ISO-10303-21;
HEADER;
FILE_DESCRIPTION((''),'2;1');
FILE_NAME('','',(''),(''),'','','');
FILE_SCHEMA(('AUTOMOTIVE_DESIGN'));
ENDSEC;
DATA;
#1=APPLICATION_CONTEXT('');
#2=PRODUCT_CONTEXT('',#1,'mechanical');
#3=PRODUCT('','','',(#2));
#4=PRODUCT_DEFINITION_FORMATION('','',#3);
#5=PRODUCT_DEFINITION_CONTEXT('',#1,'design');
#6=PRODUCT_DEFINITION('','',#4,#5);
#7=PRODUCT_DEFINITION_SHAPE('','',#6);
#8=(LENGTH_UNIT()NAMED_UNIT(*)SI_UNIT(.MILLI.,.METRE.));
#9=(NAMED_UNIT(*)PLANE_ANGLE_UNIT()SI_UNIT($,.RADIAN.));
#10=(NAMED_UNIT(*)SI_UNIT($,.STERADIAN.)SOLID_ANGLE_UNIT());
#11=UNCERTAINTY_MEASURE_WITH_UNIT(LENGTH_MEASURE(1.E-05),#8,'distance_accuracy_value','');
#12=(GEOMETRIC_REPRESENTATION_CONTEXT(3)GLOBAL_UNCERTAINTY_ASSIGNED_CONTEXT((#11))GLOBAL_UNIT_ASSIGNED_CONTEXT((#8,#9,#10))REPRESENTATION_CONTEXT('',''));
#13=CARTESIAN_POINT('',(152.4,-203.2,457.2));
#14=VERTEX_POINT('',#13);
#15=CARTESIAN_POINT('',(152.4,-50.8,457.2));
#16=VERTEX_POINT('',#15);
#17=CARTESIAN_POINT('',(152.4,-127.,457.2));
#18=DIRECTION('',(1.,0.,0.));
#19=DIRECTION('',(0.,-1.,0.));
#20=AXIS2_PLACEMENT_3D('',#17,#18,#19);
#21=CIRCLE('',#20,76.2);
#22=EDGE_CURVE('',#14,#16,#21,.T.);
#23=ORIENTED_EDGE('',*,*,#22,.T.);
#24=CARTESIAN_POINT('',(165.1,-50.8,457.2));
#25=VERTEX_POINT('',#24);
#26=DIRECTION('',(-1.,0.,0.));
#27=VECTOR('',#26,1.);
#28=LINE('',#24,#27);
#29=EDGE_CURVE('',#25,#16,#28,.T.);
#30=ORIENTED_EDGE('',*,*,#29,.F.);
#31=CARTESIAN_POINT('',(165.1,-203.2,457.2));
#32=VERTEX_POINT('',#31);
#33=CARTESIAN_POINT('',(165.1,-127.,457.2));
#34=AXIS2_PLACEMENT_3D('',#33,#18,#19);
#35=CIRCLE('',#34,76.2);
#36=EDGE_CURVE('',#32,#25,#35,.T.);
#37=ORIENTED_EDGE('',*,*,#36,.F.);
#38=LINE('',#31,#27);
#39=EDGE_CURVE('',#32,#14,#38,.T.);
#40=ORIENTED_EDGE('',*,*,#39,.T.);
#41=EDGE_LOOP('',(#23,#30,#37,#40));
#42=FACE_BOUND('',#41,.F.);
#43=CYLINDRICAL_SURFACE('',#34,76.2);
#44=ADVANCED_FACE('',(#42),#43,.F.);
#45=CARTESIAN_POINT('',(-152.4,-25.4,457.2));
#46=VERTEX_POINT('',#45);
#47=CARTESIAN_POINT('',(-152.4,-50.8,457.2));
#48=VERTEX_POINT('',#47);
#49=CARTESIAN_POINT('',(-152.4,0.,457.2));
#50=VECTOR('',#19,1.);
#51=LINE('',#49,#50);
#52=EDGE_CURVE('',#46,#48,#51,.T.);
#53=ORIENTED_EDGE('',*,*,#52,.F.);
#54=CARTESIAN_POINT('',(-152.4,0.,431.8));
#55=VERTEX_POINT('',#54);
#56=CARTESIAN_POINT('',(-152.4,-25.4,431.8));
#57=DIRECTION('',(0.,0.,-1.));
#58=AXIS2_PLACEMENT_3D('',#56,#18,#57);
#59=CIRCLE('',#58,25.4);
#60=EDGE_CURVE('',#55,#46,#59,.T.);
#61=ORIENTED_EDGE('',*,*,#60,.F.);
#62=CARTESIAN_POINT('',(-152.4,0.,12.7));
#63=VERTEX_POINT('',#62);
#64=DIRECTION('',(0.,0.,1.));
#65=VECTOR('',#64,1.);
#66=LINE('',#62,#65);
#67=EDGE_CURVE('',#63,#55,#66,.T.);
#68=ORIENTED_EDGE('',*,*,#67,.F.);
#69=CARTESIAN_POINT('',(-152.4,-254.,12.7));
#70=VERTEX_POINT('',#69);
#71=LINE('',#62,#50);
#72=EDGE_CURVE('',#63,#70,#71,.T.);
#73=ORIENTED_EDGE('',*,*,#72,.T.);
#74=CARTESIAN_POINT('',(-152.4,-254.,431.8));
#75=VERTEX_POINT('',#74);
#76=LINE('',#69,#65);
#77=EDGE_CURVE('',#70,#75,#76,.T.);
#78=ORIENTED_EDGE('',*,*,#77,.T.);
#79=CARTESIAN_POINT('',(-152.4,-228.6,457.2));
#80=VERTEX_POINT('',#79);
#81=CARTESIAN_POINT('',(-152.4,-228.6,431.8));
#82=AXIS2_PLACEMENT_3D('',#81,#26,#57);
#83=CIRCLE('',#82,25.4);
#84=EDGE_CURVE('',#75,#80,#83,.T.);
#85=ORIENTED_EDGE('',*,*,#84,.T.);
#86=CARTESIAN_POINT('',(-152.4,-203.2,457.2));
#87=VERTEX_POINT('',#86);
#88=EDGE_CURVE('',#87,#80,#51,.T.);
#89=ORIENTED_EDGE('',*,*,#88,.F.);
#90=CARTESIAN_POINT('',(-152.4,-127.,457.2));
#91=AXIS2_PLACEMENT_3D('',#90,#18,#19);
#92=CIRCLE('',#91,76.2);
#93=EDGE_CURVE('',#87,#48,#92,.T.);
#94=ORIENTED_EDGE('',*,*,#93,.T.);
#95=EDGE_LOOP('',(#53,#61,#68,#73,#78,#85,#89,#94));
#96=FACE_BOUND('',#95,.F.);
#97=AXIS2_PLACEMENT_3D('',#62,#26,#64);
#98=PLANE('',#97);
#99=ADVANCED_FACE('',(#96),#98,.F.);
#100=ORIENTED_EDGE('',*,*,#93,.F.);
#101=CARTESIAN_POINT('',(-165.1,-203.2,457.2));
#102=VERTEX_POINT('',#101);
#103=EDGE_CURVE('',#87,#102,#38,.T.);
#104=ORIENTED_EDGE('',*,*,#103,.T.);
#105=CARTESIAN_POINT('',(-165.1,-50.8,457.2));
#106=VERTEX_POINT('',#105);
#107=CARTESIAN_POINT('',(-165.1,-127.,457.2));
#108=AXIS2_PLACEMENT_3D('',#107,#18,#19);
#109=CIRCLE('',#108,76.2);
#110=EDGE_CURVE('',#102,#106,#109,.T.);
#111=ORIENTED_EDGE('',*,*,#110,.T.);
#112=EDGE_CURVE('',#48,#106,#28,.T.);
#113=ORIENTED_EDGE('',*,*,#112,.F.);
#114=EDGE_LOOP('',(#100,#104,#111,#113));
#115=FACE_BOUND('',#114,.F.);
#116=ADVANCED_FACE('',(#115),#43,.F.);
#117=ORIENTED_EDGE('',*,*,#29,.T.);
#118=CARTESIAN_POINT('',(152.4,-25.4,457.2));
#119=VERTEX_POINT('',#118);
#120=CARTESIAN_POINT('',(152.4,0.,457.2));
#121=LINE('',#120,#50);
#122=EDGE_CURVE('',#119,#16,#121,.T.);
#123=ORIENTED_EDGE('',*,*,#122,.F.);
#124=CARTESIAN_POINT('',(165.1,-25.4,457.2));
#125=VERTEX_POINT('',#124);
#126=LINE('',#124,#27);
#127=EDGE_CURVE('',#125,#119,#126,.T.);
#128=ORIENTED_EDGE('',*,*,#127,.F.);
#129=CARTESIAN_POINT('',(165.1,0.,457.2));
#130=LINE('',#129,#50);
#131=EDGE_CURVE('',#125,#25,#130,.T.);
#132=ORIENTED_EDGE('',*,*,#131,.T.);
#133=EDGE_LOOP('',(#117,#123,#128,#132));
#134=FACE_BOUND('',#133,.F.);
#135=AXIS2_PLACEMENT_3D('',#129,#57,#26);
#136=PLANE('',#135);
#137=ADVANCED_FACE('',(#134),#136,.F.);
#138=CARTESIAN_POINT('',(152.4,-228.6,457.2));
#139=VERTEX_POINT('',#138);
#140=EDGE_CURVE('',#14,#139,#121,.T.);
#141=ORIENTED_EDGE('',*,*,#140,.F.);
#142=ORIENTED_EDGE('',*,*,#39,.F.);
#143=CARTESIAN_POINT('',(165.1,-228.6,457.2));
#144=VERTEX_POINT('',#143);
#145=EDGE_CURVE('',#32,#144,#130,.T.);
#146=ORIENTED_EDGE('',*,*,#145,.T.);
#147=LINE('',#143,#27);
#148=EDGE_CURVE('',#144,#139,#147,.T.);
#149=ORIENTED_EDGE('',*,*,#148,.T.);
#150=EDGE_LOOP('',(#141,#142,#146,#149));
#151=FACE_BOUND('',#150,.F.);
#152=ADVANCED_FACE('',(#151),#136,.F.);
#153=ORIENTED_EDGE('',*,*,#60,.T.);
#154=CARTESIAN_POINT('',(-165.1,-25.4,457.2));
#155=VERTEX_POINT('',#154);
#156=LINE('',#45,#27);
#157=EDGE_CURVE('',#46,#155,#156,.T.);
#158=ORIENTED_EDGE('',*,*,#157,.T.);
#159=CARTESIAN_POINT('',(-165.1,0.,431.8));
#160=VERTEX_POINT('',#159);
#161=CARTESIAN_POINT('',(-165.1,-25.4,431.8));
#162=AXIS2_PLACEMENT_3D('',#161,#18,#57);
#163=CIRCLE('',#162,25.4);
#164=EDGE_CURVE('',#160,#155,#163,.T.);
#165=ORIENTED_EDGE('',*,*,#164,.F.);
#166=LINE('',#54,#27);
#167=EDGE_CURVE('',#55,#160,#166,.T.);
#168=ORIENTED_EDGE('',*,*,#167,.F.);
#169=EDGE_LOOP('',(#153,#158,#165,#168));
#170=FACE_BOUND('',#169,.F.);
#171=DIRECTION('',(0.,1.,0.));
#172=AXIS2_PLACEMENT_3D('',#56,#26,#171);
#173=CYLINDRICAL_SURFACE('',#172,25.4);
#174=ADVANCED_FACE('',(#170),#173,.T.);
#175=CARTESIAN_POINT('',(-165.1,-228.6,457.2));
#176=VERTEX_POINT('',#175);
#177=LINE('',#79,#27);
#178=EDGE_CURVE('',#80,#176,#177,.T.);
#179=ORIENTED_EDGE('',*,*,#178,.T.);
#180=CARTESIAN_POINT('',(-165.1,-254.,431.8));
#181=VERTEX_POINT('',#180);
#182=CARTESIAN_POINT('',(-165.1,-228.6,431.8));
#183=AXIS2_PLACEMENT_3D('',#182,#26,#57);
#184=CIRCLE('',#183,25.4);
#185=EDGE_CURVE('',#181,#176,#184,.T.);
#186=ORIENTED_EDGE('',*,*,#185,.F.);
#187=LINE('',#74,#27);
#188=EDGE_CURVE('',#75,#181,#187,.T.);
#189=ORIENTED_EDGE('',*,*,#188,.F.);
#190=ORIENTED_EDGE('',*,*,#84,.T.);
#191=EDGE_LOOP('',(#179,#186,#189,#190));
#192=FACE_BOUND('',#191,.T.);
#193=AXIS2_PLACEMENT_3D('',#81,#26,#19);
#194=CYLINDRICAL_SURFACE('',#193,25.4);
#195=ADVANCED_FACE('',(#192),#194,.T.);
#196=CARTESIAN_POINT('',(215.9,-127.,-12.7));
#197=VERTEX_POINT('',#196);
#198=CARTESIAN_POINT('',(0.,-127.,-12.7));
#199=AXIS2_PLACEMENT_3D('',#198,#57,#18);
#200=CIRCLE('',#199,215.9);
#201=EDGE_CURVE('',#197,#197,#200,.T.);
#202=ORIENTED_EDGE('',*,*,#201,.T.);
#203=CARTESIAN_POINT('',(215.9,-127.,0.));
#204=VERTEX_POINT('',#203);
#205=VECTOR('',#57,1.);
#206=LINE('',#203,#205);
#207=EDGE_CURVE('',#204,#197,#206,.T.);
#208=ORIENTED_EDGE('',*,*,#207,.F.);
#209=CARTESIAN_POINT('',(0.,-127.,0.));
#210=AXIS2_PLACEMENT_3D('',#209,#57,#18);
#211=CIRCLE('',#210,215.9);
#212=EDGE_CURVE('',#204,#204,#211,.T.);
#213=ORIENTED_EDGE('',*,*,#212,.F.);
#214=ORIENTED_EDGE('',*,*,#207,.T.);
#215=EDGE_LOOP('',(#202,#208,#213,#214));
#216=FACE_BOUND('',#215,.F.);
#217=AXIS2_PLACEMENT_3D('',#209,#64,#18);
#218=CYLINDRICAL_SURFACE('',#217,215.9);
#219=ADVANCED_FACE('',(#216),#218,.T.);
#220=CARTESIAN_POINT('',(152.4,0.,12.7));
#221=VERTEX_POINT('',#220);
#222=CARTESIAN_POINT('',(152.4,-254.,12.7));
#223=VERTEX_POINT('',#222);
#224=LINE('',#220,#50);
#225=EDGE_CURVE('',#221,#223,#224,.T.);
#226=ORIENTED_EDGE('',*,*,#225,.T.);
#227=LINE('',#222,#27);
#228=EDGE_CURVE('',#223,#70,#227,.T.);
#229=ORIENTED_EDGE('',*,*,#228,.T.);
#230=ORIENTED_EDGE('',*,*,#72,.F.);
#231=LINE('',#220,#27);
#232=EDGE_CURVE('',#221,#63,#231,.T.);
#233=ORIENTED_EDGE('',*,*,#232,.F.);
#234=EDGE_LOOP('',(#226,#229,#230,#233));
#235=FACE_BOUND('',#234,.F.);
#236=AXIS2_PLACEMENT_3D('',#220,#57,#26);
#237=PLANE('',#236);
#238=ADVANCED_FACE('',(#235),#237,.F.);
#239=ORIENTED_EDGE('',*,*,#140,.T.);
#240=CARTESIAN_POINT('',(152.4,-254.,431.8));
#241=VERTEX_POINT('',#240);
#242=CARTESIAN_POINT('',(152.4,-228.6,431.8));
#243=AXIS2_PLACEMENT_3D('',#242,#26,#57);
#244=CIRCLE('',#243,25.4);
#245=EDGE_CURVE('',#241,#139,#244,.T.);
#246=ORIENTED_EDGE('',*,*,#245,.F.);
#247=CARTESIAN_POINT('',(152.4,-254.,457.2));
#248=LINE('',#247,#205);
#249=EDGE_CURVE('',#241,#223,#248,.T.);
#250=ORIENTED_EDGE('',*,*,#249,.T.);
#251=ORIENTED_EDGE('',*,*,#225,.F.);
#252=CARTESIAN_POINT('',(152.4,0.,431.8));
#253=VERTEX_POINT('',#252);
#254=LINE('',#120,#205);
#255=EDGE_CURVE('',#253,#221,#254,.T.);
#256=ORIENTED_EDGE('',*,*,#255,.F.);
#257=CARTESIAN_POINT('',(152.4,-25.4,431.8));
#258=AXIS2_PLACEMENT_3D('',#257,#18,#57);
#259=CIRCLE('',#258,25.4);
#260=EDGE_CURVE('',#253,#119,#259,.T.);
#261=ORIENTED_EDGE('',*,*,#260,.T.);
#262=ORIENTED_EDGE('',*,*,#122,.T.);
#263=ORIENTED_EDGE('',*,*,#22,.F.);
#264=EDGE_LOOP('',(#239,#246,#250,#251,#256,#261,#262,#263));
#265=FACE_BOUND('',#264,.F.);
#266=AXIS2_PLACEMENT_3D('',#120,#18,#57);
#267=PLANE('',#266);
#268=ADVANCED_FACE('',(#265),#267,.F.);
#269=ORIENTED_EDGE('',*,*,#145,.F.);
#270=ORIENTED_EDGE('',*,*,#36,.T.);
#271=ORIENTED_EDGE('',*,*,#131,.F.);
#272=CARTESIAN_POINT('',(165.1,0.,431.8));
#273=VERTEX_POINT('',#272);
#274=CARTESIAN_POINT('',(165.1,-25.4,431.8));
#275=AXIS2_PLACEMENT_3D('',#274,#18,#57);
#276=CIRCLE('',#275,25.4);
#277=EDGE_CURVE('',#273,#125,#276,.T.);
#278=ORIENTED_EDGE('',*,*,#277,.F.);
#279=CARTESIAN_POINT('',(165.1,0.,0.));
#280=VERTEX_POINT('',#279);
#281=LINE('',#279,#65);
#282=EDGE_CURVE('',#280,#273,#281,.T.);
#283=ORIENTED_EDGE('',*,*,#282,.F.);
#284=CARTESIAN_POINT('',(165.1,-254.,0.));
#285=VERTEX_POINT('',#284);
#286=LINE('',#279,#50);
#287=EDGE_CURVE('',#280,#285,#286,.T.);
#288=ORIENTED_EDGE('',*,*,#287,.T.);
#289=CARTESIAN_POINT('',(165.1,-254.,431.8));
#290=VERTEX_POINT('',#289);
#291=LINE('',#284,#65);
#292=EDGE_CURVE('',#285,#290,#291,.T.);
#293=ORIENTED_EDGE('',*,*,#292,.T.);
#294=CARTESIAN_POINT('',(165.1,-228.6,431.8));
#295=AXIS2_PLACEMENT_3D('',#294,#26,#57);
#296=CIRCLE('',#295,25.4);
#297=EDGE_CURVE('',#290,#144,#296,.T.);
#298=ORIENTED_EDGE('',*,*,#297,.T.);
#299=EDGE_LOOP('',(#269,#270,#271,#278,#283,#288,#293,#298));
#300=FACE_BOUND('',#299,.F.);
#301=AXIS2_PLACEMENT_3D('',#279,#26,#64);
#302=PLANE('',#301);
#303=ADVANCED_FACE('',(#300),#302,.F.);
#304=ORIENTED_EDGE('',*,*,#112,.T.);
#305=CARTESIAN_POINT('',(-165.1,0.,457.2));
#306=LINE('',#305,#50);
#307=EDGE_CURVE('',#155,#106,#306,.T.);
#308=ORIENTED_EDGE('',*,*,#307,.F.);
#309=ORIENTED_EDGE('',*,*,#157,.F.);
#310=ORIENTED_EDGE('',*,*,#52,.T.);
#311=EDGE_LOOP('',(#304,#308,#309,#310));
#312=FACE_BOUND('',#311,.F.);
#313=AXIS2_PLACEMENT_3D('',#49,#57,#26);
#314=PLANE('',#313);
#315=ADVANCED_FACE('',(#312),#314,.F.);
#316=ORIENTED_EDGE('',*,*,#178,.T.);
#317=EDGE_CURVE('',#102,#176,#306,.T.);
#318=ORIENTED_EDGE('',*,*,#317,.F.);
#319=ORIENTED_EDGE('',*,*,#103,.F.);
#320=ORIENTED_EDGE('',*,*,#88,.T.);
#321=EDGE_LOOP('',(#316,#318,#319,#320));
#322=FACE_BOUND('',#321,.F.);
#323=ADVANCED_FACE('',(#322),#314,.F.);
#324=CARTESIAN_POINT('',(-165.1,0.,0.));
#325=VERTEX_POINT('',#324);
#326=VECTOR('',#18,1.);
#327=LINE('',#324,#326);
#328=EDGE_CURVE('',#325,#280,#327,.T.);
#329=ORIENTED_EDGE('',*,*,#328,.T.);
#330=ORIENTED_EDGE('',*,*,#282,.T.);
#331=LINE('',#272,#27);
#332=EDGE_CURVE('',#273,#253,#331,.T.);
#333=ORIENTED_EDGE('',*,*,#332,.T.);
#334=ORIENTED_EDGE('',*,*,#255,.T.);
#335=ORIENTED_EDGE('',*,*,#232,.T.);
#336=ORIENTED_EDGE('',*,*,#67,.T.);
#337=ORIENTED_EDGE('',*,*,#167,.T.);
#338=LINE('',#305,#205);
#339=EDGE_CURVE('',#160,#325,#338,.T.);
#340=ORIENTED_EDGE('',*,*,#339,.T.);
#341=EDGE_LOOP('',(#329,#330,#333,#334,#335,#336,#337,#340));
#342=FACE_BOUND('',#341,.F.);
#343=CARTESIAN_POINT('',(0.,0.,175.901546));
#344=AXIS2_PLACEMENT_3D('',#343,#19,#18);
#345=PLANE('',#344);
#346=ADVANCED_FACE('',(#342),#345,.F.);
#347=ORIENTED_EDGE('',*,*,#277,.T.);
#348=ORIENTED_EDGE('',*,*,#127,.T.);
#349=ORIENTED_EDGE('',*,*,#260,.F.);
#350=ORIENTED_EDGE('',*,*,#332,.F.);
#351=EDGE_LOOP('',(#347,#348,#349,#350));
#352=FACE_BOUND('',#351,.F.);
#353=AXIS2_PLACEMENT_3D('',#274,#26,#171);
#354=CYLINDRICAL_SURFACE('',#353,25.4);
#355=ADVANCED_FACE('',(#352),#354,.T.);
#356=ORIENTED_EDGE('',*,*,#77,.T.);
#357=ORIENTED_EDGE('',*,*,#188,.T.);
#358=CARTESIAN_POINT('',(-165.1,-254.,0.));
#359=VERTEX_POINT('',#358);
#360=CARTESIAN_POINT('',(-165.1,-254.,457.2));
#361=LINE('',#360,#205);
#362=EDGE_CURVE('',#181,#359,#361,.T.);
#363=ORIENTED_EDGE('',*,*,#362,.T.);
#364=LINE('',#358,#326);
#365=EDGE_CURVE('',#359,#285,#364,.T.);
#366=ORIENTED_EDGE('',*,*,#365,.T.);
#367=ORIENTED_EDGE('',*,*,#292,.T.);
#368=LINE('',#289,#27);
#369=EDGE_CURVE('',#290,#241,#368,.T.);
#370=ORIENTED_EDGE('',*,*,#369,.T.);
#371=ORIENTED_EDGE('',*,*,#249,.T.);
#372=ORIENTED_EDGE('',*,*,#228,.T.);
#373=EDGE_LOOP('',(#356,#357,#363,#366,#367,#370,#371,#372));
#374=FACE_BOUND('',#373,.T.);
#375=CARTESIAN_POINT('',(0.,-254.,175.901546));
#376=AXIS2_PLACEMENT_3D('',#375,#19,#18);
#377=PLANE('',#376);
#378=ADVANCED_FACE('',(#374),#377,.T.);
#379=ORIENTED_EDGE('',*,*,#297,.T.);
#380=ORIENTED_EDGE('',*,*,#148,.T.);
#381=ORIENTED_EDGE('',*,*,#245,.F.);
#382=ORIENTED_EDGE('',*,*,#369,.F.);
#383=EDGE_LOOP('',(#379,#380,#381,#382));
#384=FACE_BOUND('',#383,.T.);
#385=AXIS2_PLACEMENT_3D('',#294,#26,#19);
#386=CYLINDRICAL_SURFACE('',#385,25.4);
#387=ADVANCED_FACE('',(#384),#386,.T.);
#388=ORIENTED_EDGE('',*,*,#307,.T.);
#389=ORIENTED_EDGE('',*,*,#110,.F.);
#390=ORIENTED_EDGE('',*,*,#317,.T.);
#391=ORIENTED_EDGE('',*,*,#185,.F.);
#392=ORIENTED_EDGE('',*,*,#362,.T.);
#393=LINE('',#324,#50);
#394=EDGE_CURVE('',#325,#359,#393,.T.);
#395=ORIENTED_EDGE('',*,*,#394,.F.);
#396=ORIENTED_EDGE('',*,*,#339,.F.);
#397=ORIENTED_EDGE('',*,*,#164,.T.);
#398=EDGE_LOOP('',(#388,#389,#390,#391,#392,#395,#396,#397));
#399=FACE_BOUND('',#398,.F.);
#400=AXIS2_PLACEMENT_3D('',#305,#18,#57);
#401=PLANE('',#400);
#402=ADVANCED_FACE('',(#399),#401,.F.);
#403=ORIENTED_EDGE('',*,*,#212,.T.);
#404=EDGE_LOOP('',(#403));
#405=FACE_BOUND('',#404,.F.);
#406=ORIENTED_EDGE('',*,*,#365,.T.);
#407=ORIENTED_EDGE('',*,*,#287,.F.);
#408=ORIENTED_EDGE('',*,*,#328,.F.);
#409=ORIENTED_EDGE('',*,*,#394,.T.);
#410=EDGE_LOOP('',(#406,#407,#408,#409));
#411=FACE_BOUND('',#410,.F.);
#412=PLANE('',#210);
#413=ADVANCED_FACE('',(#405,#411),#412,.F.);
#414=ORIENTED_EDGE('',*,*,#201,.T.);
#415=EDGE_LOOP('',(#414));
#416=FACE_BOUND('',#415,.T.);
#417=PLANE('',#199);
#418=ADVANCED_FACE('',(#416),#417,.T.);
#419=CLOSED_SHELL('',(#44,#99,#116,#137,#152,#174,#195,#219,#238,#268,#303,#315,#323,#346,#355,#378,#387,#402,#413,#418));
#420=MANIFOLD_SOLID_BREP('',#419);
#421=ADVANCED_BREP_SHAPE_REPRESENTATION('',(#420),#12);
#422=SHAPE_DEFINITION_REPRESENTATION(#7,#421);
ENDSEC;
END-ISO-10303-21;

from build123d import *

# Parameters (mm, degrees)
F1_DEPTH = 254
F2_R     = 215.9
F3_DEPTH = 12.7
F5_DEPTH = 381.001
F6_R     = 25.4


with BuildPart() as f1:
    # F0 (on Front) → F1 (new body)
    with BuildSketch(Plane.XZ):
        Polygon((-152.4, 12.7), (-152.4, 457.2), (-165.1, 457.2), (-165.1, 0), (165.1, 0), (165.1, 457.2), (152.4, 457.2), (152.4, 12.7), align=None)
    extrude(amount=F1_DEPTH)

    # F2 (on face) → F3 (join)
    with BuildSketch(Plane(origin=(0, 0, 0), x_dir=(1, 0, 0), z_dir=(0, 0, -1))):
        with Locations((0, 127)):
            Circle(F2_R)
    extrude(amount=F3_DEPTH)

    # F4 (on face) → F5 (cut, through all)
    with BuildSketch(Plane.YZ.offset(165.1)):
        with BuildLine():
            Line((-50.8, 457.2), (-203.2, 457.2))
            ThreePointArc((-203.2, 457.2), (-127, 381), (-50.8, 457.2))
        make_face()
    extrude(amount=-F5_DEPTH, mode=Mode.SUBTRACT)

    # F6
    f6_edges = [f1.edges().sort_by_distance(p)[0] for p in [
        (158.75, -254, 457.2),
        (158.75, 0, 457.2),
        (-158.75, 0, 457.2),
        (-158.75, -254, 457.2),
    ]]
    fillet(f6_edges, radius=F6_R)


solid = f1.part
